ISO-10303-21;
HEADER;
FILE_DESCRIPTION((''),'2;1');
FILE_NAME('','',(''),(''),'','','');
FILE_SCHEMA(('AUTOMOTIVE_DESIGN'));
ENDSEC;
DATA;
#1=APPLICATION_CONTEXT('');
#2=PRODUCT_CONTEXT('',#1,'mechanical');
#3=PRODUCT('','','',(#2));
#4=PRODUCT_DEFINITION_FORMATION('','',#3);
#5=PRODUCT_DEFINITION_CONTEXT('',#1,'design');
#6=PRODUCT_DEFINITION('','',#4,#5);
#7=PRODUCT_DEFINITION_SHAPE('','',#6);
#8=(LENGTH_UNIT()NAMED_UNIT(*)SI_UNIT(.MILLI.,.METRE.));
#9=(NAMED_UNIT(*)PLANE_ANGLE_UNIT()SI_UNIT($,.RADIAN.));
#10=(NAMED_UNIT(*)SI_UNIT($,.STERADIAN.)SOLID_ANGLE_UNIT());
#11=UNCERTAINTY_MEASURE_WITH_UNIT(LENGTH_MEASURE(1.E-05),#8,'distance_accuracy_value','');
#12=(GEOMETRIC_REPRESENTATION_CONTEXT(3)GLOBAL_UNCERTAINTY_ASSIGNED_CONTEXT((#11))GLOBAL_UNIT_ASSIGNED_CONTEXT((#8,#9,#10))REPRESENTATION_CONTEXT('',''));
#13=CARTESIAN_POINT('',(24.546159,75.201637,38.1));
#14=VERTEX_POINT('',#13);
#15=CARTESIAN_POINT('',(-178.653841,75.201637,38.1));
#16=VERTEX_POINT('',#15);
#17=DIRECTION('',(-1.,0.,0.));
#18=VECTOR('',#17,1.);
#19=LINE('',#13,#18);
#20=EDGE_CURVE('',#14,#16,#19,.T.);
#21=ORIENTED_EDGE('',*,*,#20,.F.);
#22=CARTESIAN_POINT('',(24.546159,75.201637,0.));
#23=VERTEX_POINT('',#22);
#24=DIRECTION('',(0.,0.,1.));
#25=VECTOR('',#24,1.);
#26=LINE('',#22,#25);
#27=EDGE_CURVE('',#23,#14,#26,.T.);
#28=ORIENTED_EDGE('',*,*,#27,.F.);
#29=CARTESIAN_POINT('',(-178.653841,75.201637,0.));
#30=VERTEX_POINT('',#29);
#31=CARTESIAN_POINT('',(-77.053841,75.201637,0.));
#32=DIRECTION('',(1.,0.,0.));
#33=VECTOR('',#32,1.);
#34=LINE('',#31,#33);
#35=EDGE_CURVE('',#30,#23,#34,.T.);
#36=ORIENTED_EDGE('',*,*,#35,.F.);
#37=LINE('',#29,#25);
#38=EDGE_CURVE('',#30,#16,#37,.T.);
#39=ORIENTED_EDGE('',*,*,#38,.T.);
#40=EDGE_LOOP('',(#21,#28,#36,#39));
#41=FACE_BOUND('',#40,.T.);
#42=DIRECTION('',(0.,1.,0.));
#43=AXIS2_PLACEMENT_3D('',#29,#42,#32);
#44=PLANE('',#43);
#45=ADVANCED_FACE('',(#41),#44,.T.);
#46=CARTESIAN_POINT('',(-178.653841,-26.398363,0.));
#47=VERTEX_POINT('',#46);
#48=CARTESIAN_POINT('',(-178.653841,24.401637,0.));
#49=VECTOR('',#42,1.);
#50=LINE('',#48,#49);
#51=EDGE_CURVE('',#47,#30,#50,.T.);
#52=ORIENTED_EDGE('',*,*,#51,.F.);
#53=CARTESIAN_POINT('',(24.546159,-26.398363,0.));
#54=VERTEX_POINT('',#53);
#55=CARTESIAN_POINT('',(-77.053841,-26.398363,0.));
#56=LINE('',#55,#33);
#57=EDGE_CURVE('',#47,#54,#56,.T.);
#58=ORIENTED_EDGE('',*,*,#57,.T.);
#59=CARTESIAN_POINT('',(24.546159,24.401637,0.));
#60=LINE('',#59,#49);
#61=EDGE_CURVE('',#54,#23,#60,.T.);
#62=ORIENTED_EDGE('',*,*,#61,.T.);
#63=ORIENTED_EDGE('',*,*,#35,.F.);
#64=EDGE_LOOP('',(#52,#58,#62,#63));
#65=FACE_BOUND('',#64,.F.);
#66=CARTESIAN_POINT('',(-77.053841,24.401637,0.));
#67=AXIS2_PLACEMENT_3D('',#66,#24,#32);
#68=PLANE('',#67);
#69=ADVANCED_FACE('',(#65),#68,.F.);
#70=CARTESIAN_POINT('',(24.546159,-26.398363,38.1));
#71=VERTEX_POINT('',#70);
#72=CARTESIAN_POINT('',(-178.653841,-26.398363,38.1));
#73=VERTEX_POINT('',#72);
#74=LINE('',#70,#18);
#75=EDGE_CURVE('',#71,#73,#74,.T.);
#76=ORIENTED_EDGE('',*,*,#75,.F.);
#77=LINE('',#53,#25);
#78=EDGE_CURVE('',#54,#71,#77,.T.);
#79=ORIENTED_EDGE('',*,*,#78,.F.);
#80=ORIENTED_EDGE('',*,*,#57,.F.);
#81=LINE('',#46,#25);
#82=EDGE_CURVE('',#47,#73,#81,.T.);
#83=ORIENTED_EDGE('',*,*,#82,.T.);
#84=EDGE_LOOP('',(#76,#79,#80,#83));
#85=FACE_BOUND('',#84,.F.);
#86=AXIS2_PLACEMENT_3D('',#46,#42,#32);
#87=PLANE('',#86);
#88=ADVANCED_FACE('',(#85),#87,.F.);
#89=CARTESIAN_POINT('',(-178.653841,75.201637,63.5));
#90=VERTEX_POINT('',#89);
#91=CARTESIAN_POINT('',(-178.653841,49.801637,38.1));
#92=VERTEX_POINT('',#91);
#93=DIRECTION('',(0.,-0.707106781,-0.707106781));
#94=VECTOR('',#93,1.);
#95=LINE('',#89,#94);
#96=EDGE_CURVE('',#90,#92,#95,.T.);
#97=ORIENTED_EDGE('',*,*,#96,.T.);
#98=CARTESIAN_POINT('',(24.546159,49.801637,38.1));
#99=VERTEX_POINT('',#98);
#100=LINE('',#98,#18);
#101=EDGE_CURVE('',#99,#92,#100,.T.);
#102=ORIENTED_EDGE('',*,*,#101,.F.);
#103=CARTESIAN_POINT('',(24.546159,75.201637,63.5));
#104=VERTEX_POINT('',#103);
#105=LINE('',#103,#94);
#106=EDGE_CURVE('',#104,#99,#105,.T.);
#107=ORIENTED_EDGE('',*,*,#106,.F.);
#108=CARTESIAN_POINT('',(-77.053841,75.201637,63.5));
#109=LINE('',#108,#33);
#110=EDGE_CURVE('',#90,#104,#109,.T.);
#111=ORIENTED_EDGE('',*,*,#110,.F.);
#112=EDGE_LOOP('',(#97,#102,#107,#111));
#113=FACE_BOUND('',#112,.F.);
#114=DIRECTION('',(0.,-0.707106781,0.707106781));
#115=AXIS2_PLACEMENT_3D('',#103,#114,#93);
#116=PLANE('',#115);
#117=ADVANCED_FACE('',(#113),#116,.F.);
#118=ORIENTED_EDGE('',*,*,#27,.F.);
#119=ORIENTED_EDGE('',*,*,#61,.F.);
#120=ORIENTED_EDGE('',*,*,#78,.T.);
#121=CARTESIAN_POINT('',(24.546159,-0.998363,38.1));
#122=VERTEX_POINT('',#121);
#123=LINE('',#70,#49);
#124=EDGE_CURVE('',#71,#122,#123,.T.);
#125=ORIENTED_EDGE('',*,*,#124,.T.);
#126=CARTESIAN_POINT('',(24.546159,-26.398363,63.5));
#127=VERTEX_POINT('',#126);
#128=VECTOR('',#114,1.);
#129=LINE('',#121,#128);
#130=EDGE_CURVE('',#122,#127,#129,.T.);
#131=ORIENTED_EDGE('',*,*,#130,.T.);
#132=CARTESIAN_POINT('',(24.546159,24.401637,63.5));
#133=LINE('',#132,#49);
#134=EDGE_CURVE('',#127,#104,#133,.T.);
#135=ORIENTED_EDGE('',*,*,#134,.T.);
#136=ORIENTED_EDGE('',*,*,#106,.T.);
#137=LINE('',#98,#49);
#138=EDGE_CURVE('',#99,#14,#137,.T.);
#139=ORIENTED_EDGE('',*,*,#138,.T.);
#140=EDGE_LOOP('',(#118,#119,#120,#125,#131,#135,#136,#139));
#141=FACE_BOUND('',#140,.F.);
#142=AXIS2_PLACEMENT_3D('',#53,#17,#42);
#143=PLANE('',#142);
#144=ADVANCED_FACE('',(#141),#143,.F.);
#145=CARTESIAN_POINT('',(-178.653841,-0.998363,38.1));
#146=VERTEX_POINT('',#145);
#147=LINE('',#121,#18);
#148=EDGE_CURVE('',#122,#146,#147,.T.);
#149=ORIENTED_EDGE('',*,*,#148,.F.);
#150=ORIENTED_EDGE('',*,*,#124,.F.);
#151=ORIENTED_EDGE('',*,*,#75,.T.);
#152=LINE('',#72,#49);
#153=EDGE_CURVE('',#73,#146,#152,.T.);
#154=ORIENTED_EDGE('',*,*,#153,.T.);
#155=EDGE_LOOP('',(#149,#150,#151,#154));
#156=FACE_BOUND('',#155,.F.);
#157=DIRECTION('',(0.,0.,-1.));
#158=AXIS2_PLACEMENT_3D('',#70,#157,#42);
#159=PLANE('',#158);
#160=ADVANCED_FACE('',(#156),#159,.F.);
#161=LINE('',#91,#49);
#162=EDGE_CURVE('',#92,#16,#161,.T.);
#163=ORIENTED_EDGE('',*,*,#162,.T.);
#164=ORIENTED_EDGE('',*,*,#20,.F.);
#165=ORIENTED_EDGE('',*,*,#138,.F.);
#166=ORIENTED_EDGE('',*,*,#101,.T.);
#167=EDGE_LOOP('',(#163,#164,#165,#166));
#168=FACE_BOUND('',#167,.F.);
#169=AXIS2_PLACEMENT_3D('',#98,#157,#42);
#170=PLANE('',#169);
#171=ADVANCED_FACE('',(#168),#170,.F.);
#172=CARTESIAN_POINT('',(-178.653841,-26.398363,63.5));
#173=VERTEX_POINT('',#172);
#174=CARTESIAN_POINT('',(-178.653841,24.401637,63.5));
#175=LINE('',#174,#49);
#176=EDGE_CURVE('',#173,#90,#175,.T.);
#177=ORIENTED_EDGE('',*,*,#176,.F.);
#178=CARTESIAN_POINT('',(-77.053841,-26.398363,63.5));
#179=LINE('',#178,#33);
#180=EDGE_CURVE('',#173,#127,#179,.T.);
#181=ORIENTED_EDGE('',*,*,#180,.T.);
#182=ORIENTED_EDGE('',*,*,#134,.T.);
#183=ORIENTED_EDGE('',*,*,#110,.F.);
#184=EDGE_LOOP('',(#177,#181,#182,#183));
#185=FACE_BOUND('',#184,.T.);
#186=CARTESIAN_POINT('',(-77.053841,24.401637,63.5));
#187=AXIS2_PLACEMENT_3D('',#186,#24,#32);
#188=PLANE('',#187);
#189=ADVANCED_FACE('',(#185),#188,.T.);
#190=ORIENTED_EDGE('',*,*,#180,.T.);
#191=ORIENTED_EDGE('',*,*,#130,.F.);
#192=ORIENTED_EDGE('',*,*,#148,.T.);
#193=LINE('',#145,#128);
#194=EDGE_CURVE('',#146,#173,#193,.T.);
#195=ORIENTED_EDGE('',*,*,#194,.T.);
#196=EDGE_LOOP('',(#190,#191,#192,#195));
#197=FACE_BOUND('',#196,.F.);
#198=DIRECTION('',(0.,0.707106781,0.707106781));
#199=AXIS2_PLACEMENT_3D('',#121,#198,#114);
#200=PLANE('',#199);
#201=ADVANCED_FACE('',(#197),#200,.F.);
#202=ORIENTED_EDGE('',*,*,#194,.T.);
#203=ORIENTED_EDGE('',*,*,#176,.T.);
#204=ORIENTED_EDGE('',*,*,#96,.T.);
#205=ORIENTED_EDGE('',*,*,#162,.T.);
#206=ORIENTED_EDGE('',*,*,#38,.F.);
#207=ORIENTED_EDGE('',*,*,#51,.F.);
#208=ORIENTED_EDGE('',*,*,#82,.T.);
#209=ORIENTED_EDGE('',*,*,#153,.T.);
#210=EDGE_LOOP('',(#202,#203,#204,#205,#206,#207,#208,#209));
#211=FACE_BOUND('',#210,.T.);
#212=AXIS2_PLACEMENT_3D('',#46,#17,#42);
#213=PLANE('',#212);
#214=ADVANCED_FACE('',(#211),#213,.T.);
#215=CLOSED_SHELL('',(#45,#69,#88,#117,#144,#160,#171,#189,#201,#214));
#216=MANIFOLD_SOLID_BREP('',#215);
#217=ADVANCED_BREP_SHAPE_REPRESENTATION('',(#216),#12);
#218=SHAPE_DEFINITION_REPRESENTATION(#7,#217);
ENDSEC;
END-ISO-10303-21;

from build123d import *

# Parameters (mm, degrees)
F0_W     = 203.2
F0_H     = 101.6
F1_DEPTH = 63.5
F3_DEPTH = 203.2
F5_DEPTH = 203.2


with BuildPart() as f1:
    # F0 (on Top) → F1 (new body)
    with BuildSketch(Plane.XY):
        with Locations((-77.053841, 24.401637)):
            Rectangle(F0_W, F0_H)
    extrude(amount=F1_DEPTH)

    # F2 (on face) → F3 (cut)
    with BuildSketch(Plane.YZ.offset(24.546159)):
        Polygon((-0.998363, 38.1), (-26.398363, 63.5), (-26.398363, 38.1), align=None)
    extrude(amount=-F3_DEPTH, mode=Mode.SUBTRACT)

    # F4 (on face) → F5 (cut)
    with BuildSketch(Plane.YZ.offset(24.546159)):
        Polygon((75.201637, 38.1), (75.201637, 63.5), (49.801637, 38.1), align=None)
    extrude(amount=-F5_DEPTH, mode=Mode.SUBTRACT)


solid = f1.part
